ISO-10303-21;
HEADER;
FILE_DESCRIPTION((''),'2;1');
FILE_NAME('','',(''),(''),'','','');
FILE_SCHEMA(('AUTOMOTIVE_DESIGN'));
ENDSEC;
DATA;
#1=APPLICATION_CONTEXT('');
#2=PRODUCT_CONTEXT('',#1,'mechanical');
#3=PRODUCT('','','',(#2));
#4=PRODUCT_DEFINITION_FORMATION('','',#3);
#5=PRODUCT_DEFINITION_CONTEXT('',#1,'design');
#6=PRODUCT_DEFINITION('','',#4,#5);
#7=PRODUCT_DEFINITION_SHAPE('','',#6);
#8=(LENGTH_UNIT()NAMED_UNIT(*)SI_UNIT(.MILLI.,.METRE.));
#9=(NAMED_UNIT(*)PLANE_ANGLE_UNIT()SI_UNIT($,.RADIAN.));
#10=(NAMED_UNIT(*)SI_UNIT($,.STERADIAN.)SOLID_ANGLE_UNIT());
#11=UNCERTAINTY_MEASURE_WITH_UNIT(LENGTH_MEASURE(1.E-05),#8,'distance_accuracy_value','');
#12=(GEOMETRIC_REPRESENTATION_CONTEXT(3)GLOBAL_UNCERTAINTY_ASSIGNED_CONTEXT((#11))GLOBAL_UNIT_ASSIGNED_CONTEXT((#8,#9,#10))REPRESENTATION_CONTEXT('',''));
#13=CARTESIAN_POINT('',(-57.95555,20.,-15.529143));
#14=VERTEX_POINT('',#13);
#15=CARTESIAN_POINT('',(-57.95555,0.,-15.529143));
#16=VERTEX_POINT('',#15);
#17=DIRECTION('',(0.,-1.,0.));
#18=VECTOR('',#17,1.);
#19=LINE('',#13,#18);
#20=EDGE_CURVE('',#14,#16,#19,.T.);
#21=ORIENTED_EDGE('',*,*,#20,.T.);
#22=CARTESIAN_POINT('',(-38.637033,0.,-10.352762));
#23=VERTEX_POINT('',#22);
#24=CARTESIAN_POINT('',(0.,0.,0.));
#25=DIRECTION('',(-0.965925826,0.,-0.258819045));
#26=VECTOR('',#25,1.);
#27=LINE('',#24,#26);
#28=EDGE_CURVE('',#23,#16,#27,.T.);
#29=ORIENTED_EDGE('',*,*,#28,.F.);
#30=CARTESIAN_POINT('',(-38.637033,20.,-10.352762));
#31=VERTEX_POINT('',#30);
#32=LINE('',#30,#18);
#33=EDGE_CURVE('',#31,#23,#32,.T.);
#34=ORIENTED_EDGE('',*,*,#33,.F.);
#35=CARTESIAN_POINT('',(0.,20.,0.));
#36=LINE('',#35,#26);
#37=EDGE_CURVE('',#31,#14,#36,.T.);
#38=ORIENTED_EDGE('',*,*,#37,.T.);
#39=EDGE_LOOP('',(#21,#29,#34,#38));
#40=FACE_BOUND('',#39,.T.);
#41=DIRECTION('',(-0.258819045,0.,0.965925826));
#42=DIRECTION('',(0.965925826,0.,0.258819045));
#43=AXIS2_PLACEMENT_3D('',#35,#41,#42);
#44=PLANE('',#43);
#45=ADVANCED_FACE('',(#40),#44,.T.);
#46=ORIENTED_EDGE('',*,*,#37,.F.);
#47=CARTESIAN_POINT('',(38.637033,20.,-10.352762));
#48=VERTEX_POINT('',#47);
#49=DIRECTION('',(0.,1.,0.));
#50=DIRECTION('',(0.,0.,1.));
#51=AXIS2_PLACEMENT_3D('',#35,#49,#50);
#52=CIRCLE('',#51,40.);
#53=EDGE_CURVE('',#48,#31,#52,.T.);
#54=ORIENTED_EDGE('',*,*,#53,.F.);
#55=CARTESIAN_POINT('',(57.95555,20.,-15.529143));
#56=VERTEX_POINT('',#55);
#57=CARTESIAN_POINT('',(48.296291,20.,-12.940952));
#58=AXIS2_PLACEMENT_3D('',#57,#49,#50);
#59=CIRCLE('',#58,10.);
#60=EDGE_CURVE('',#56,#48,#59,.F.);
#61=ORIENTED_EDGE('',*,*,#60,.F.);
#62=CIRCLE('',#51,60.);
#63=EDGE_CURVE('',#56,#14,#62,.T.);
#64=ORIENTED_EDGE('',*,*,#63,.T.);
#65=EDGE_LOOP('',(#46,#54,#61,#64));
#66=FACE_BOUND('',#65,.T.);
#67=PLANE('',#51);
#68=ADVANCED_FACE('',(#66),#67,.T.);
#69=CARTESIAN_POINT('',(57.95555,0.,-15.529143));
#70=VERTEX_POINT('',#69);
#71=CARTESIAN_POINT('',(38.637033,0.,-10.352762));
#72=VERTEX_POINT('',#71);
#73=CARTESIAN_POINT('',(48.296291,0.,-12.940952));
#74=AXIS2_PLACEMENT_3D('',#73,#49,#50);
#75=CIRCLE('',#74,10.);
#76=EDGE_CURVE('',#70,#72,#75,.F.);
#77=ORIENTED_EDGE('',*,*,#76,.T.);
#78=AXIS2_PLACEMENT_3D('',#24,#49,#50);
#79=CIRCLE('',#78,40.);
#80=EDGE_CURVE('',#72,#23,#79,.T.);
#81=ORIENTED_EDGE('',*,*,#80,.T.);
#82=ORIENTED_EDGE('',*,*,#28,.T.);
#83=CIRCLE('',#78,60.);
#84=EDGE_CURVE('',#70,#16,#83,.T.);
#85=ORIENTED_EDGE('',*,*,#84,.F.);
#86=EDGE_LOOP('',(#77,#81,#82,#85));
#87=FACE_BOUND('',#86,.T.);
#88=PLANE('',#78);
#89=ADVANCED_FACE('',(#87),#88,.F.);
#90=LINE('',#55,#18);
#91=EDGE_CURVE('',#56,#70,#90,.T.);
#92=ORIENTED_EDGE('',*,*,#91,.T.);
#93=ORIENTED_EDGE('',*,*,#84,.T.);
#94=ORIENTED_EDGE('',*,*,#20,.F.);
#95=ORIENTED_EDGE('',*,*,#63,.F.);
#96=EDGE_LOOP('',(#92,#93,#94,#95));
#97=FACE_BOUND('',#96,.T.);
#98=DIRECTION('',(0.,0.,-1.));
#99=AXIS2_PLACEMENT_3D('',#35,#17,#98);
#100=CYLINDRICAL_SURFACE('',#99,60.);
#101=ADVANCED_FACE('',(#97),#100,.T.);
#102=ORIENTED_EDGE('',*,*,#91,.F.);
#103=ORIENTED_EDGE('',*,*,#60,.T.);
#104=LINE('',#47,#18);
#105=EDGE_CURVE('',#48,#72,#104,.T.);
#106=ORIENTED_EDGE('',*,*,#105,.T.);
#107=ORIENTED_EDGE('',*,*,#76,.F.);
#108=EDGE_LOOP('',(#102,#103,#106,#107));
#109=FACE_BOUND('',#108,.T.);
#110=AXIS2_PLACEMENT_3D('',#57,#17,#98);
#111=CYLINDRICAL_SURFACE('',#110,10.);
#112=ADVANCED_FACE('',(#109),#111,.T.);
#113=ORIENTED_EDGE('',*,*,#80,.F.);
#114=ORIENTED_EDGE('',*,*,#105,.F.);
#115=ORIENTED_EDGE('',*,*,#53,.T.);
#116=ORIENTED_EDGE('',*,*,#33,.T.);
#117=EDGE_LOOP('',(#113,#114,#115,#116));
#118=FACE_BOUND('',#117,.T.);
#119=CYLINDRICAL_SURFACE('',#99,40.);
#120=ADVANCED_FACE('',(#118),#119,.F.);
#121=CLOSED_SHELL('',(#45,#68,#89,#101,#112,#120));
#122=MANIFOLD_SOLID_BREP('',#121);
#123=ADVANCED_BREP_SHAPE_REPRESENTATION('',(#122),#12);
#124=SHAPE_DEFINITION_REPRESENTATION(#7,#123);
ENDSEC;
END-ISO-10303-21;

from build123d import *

# Parameters (mm, degrees)
BOSS_EXTRUDE1_DEPTH = 20


with BuildPart() as part:
    # Sketch2 → Boss-Extrude1 (new body)
    with BuildSketch(Plane(origin=(0, 0, 0), x_dir=(1, 0, 0), z_dir=(0, 1, 0))):
        with BuildLine():
            Line((-57.955549577, 15.529142706), (-38.637033052, 10.352761804))
            ThreePointArc((-38.637033052, 10.352761804), (0, 40), (38.637033052, 10.352761804))
            ThreePointArc((38.637033052, 10.352761804), (50.884481765, 3.281693992), (57.955549577, 15.529142706))
            ThreePointArc((57.955549577, 15.529142706), (0, 60), (-57.955549577, 15.529142706))
        make_face()
    extrude(amount=BOSS_EXTRUDE1_DEPTH)


solid = part.part
